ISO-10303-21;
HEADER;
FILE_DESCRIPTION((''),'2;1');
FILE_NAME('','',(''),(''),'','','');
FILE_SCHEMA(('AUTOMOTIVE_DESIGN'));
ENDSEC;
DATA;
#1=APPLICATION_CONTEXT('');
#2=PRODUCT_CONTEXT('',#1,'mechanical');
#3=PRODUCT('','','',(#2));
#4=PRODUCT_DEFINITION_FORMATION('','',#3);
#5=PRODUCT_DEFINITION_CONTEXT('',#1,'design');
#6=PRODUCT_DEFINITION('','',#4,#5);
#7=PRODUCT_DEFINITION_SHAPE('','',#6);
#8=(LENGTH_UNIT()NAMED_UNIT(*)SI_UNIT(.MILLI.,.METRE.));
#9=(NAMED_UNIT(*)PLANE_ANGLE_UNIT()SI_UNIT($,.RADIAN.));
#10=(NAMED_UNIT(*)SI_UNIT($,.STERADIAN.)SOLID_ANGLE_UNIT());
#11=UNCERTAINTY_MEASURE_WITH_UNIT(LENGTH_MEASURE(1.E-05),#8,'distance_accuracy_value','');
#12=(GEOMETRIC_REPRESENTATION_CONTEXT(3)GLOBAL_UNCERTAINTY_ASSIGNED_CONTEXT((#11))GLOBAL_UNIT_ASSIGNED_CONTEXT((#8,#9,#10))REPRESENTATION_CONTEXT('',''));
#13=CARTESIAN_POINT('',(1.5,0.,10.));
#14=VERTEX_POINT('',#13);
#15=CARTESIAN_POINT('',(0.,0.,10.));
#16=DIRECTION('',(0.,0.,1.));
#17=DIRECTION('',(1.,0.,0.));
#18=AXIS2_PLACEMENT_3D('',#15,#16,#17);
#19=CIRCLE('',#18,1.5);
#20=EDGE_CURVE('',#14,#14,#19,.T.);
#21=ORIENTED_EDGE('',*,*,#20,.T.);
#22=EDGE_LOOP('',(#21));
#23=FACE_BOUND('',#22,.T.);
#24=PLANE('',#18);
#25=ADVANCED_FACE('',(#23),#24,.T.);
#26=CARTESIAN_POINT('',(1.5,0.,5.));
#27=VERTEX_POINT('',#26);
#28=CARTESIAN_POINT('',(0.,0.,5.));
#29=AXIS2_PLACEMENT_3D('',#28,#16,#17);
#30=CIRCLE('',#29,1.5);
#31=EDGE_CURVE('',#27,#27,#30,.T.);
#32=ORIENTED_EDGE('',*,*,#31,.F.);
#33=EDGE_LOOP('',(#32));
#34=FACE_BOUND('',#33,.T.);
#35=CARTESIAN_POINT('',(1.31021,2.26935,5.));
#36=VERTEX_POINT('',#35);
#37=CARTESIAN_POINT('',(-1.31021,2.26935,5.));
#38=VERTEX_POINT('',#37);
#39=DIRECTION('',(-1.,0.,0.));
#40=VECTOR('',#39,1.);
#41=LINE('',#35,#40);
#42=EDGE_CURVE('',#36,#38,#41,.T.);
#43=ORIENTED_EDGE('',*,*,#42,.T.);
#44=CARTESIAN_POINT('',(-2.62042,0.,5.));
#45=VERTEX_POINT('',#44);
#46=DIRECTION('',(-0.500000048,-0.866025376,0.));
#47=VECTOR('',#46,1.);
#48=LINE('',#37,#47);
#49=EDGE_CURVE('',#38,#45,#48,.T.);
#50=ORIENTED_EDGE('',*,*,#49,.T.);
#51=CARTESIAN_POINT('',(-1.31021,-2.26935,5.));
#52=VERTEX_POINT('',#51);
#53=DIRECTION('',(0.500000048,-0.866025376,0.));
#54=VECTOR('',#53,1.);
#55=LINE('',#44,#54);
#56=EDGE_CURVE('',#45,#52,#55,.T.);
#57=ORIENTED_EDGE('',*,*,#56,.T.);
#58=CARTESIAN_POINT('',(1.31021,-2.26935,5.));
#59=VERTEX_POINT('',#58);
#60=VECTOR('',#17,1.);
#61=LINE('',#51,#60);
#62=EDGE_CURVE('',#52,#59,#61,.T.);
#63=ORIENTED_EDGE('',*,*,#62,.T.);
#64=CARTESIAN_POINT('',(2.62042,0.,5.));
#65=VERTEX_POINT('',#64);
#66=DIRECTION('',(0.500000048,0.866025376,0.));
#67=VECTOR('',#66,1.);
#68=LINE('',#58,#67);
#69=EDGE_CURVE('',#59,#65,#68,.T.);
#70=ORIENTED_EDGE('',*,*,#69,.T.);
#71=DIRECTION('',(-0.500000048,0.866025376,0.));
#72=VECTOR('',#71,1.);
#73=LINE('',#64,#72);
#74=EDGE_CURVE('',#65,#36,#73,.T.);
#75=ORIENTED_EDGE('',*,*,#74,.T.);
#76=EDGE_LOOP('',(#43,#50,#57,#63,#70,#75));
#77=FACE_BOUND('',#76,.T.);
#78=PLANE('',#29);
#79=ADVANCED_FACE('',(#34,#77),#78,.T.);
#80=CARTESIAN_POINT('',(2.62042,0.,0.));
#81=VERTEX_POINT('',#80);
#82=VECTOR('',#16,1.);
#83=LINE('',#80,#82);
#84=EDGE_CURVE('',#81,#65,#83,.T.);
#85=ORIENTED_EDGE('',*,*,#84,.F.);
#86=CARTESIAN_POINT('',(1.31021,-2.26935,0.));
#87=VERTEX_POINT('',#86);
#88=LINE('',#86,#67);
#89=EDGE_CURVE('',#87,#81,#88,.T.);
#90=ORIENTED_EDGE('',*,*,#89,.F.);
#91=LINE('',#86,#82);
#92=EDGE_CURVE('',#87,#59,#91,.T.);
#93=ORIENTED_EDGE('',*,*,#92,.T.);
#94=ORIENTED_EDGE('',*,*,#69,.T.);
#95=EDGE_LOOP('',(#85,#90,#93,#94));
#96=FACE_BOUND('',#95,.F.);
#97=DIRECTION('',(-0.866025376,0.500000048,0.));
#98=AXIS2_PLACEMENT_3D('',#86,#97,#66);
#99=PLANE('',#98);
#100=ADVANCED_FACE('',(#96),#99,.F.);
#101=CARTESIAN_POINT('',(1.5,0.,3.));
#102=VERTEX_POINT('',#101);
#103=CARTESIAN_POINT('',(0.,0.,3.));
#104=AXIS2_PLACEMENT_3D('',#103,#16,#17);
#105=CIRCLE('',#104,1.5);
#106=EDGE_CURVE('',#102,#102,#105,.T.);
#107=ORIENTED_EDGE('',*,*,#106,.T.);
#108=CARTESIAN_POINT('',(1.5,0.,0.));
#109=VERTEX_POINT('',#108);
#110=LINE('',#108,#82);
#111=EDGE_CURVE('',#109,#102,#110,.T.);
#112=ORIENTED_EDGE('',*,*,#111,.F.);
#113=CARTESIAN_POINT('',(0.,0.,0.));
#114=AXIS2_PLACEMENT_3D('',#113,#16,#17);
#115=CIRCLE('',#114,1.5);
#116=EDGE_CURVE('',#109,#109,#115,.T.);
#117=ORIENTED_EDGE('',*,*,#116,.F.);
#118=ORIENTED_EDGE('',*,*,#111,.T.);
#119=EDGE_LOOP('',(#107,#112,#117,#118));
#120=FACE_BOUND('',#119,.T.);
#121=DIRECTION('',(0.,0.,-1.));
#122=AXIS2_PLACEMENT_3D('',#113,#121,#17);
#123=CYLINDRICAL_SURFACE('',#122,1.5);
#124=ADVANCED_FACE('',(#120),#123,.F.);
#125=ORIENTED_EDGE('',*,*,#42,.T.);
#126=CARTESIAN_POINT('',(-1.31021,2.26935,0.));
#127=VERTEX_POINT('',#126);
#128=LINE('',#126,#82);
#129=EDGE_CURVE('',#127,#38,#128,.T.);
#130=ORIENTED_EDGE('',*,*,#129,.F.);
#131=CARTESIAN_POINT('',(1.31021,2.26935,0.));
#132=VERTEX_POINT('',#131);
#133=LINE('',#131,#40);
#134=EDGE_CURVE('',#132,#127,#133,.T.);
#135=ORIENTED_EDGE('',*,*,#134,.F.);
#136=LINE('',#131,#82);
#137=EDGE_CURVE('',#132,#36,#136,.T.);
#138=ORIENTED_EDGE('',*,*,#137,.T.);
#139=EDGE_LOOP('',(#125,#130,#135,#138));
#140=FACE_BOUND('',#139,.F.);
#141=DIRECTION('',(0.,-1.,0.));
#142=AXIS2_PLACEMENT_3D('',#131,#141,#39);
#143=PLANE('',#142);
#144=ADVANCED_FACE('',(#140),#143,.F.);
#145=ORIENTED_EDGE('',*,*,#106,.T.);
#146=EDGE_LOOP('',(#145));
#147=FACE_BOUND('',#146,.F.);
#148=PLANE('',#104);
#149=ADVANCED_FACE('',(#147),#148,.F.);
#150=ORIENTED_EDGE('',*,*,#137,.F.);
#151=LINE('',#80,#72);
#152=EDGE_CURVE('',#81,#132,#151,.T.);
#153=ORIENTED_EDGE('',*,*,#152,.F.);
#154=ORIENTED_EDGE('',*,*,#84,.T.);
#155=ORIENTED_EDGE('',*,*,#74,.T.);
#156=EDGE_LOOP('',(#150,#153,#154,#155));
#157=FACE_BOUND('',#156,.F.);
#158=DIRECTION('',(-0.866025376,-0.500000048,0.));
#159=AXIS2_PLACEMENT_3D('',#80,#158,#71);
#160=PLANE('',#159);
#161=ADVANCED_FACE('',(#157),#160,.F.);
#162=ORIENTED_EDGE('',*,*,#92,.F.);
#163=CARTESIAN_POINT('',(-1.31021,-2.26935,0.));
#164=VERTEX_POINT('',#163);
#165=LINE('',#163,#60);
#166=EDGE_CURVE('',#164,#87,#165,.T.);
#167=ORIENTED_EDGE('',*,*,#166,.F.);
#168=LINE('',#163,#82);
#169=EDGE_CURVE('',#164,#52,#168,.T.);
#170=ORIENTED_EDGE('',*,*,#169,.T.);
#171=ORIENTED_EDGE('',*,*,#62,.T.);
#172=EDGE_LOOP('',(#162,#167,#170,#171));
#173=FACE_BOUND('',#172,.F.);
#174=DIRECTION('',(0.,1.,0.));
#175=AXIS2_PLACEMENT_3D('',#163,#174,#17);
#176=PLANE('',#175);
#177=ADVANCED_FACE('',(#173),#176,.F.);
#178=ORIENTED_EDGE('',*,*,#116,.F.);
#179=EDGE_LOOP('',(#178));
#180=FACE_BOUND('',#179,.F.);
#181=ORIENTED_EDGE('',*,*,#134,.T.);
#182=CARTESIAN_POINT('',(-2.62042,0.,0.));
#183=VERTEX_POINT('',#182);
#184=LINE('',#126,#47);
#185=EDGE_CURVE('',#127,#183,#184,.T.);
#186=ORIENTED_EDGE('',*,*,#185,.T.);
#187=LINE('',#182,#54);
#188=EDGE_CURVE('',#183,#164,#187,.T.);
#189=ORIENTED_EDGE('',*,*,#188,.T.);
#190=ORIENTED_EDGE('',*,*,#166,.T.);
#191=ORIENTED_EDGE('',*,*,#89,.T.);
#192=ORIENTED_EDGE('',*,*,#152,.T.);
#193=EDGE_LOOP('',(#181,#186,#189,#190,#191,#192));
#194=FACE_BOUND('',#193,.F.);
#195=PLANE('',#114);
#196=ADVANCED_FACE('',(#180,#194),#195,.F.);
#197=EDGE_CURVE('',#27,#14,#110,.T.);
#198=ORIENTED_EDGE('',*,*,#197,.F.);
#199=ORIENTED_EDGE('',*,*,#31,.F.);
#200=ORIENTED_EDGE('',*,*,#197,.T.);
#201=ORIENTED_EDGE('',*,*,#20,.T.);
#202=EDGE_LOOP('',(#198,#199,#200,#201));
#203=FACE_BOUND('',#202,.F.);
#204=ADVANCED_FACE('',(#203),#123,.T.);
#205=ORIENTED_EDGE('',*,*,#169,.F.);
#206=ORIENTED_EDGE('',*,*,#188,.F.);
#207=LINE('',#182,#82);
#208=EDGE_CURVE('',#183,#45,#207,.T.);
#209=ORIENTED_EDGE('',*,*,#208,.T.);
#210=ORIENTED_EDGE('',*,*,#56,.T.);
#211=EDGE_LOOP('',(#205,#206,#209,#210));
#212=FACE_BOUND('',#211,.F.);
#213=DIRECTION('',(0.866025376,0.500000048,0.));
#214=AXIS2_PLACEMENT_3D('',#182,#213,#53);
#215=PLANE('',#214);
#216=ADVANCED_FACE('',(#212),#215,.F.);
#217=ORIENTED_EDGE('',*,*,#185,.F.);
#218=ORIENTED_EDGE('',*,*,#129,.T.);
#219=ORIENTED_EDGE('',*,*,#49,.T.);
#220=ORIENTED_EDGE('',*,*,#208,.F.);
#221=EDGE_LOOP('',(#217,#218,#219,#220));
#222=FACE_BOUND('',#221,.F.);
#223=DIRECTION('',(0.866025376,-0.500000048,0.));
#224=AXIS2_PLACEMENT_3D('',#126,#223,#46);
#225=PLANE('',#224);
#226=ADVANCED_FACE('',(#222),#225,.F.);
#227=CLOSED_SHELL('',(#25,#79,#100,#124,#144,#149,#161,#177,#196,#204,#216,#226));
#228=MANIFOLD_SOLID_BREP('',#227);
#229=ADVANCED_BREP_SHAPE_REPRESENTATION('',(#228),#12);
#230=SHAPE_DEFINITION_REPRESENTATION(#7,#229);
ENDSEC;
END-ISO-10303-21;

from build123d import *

# Parameters (mm, degrees)
F0_R     = 1.5
F1_DEPTH = 10
F2_DEPTH = 5
F3_DEPTH = 3


with BuildPart() as f1:
    # F0 (on Top) → F1 (new body)
    with BuildSketch(Plane.XY):
        Circle(F0_R)
    extrude(amount=F1_DEPTH)

    # F0 (on Top) → F2 (join)
    with BuildSketch(Plane.XY):
        Polygon((1.31021, 2.26935), (-1.31021, 2.26935), (-2.62042, 0), (-1.31021, -2.26935), (1.31021, -2.26935), (2.62042, 0), align=None)
        Circle(F0_R, mode=Mode.SUBTRACT)
    extrude(amount=F2_DEPTH)

    # F0 (on Top) → F3 (cut)
    with BuildSketch(Plane.XY):
        Circle(F0_R)
    extrude(amount=F3_DEPTH, mode=Mode.SUBTRACT)


solid = f1.part
